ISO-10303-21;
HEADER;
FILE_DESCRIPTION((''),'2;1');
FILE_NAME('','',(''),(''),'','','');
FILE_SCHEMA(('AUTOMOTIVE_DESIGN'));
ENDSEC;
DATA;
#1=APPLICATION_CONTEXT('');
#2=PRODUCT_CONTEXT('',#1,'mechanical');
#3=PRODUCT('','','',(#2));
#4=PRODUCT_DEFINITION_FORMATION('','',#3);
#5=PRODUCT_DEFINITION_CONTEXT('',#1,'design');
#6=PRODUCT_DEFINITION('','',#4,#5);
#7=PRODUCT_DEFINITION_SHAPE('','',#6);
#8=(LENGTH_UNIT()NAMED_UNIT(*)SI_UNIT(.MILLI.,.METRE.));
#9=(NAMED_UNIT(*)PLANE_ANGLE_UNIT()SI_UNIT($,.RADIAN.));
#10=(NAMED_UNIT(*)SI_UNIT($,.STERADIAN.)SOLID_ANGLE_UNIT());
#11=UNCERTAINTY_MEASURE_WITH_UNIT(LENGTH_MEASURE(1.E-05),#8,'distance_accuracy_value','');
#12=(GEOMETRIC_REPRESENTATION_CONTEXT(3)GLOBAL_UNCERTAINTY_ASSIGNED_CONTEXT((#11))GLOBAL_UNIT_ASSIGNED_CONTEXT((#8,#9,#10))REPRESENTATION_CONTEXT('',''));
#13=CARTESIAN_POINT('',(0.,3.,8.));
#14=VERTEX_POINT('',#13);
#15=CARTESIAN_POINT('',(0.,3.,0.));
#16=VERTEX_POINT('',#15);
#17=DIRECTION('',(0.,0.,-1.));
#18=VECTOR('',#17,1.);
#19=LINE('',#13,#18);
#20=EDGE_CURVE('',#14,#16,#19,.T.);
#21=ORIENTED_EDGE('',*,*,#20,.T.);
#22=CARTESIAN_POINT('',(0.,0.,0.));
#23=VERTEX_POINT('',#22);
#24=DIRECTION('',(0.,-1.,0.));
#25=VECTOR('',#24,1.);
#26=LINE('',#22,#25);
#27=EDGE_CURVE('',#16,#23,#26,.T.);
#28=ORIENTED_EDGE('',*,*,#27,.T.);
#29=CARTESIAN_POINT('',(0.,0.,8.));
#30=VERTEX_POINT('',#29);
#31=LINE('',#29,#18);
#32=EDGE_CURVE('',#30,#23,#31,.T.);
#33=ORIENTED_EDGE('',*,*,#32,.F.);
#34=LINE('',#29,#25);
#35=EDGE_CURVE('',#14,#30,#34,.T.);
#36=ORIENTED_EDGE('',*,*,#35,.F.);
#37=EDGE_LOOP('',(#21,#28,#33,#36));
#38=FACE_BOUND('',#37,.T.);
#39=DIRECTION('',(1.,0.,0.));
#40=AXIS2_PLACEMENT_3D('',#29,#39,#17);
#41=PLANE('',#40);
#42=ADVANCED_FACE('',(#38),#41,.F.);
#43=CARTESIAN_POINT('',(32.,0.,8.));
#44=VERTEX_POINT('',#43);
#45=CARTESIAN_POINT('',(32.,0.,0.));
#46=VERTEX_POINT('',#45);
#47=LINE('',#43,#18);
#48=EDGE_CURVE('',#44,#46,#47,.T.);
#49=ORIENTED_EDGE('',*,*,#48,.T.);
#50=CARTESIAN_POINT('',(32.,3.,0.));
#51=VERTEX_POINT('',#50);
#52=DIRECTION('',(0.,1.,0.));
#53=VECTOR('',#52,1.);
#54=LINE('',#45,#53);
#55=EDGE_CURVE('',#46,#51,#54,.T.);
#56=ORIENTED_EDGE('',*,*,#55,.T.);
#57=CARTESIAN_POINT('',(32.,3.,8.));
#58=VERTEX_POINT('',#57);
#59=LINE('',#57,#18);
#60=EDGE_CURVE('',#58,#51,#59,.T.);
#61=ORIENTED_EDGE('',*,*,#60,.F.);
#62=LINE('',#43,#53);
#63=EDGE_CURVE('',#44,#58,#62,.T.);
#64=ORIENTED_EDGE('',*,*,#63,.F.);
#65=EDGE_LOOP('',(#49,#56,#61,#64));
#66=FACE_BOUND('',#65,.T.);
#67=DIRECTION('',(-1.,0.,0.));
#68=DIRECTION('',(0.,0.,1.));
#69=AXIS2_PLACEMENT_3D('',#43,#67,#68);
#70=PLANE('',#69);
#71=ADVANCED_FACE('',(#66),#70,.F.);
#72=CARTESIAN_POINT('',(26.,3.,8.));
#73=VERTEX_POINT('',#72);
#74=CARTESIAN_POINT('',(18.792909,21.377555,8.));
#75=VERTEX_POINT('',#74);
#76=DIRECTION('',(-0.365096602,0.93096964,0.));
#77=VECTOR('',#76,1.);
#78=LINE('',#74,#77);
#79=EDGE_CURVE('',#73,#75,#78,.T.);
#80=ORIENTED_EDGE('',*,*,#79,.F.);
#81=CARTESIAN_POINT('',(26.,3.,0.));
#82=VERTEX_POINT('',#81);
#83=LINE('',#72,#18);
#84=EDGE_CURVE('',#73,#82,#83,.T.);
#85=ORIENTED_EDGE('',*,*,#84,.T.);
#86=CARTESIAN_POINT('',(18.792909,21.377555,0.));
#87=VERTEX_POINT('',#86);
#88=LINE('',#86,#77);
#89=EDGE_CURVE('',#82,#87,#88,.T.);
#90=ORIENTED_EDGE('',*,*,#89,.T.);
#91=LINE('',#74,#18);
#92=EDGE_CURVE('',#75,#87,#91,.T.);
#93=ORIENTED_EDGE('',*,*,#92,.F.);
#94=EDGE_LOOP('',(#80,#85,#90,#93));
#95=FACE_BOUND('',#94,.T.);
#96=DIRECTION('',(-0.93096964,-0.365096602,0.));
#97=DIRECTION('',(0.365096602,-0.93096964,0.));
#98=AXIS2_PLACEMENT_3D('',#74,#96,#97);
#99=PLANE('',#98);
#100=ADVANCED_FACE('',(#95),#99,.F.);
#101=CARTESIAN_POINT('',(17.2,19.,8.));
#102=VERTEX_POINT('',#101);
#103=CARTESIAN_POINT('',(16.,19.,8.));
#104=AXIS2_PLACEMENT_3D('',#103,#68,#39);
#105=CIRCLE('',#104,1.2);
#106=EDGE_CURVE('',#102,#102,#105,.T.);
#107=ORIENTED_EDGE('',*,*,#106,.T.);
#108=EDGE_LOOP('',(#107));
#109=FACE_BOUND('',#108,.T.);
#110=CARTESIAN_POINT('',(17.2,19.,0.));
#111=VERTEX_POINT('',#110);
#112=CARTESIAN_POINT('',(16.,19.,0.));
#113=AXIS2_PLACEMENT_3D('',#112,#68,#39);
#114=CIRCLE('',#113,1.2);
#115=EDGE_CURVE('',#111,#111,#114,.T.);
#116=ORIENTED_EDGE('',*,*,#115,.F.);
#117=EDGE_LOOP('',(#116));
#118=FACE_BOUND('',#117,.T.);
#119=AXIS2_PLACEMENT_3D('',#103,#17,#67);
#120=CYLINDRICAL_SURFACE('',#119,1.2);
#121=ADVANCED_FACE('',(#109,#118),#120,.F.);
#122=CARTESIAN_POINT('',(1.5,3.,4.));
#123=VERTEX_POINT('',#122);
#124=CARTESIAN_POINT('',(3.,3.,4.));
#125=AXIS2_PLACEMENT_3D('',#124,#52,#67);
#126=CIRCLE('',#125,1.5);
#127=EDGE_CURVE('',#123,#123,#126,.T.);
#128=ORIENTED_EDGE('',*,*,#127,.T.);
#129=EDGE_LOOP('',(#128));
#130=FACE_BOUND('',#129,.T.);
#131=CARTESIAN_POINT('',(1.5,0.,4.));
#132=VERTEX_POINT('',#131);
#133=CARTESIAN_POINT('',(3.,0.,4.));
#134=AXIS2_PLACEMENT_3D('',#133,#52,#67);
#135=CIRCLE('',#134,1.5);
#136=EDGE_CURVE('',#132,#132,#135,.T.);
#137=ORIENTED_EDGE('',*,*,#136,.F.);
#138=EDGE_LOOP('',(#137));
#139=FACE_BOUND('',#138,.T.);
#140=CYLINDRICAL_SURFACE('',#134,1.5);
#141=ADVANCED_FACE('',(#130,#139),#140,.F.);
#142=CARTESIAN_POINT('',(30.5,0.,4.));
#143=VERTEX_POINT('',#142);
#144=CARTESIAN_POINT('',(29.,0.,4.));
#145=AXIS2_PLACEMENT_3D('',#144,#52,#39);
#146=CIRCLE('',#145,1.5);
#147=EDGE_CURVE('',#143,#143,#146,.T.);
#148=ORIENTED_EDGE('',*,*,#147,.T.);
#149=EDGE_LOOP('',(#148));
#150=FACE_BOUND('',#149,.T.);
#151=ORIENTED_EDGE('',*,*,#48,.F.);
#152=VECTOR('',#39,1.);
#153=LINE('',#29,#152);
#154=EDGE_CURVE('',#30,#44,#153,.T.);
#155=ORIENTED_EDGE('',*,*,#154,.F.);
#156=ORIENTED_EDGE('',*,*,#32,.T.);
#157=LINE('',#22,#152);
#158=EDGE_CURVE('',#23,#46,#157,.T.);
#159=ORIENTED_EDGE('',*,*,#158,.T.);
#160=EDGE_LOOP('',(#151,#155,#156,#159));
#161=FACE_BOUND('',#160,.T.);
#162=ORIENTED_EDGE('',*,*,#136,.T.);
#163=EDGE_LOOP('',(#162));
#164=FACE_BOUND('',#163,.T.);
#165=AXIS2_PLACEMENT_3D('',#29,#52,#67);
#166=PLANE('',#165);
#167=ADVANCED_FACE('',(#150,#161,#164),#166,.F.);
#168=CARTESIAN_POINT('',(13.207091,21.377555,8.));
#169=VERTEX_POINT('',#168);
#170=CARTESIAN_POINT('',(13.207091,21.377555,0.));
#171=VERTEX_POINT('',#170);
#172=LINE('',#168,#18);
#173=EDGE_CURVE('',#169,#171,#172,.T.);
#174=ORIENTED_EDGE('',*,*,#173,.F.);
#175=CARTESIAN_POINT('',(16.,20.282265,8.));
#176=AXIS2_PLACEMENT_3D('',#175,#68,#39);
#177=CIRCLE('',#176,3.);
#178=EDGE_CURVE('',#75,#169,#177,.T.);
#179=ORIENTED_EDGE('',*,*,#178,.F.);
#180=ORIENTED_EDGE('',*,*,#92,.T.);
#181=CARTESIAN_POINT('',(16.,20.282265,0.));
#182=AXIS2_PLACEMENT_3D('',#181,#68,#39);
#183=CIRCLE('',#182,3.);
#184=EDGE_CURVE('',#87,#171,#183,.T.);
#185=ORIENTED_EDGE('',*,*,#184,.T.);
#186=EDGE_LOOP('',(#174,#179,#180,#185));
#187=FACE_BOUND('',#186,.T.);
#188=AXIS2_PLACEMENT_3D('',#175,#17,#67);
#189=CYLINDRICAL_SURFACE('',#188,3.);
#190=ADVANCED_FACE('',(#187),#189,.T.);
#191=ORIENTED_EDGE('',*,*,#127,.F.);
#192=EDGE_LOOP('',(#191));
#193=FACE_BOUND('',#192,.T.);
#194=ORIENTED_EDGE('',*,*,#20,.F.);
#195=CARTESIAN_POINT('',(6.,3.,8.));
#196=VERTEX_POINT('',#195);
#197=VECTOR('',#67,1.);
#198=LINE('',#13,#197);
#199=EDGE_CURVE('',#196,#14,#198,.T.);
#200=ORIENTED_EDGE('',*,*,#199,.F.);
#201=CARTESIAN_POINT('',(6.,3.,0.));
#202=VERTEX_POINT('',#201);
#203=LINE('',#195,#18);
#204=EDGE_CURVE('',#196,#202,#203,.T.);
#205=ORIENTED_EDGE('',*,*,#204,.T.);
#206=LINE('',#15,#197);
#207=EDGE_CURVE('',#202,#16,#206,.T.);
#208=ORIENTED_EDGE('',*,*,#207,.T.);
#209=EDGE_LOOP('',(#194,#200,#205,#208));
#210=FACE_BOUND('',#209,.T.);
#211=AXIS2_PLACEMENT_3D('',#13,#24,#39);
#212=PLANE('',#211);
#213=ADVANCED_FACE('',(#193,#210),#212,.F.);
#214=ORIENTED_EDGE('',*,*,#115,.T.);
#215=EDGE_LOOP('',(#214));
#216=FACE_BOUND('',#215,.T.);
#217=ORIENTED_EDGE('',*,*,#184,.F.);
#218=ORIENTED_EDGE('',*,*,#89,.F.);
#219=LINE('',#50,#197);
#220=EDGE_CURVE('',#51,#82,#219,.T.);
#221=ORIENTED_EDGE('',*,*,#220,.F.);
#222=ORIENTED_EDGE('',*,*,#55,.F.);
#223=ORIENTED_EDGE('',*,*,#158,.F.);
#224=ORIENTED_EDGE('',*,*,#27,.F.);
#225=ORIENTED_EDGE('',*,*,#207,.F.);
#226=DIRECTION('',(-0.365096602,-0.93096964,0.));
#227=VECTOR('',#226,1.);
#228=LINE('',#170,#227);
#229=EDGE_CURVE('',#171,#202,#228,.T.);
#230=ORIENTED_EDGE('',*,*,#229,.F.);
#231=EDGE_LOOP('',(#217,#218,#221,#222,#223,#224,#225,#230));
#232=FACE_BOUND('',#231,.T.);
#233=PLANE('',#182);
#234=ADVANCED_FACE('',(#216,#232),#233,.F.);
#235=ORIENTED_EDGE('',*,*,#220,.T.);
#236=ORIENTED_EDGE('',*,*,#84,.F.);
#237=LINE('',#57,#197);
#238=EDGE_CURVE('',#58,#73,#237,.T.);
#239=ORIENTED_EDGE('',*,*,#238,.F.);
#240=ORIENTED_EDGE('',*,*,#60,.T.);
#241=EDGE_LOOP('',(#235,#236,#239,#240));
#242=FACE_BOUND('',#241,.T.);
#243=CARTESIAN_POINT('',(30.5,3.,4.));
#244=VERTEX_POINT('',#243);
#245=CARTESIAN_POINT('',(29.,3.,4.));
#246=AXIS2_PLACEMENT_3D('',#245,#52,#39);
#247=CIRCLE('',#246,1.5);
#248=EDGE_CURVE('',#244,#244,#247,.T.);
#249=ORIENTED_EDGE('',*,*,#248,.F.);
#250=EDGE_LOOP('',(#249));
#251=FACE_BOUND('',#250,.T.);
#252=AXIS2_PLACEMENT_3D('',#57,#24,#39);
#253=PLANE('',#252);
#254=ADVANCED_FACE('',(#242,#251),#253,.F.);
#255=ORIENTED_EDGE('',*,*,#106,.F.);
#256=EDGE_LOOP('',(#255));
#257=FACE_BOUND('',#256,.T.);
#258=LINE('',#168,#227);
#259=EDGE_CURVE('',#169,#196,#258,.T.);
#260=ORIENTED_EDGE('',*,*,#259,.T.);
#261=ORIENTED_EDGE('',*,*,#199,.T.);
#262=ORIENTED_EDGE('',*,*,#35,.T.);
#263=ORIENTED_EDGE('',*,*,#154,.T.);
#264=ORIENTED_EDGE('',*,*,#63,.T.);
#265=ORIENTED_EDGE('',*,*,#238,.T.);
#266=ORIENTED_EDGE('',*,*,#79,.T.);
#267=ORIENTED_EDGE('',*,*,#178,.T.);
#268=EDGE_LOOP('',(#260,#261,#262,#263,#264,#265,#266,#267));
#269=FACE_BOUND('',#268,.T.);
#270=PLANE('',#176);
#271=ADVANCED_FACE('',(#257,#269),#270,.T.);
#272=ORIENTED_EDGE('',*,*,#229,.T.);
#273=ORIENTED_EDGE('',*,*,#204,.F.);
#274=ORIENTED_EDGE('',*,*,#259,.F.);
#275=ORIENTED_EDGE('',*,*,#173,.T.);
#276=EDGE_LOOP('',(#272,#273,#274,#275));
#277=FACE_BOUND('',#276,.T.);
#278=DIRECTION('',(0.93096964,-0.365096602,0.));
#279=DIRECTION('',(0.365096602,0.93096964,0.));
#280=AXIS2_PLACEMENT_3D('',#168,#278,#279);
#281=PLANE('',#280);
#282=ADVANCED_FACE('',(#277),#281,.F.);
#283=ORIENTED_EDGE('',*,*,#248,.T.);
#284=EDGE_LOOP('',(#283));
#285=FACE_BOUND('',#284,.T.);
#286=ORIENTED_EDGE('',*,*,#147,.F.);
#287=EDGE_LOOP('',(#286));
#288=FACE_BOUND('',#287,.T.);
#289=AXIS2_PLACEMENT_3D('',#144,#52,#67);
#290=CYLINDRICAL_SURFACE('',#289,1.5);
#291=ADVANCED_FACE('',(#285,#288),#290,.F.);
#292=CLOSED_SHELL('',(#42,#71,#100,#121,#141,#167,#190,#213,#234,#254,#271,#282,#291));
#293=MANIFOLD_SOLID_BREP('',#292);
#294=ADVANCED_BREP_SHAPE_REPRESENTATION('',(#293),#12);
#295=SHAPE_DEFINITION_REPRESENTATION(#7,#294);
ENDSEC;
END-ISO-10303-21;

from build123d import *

# Parameters (mm, degrees)
ESQUISSE1_R             = 1.2
BOSS_EXTRU_1_DEPTH      = 8
ESQUISSE2_R             = 1.5
ENL_V_MAT_EXTRU_1_DEPTH = 39.721703123


with BuildPart() as part:
    # Esquisse1 → Boss.-Extru.1 (new body)
    with BuildSketch(Plane.XY):
        with BuildLine():
            Line((0, 0), (32, 0))
            Line((32, 0), (32, 3))
            Line((32, 3), (26, 3))
            Line((26, 3), (18.792908921, 21.37755528))
            ThreePointArc((18.792908921, 21.37755528), (16, 23.282265473), (13.207091079, 21.37755528))
            Line((13.207091079, 21.37755528), (6, 3))
            Line((6, 3), (0, 3))
            Line((0, 3), (0, 0))
        make_face()
        with Locations((16, 19)):
            Circle(ESQUISSE1_R, mode=Mode.SUBTRACT)
    extrude(amount=BOSS_EXTRU_1_DEPTH)

    # Esquisse2 → Enlèv. mat.-Extru.1 (cut, through all)
    with BuildSketch(Plane(origin=(0, 3, 0), x_dir=(1, 0, 0), z_dir=(0, 1, 0))):
        with Locations(Location((3, -4, 0), (0, 0, 180))):
            Circle(ESQUISSE2_R)
        with Locations((29, -4)):
            Circle(ESQUISSE2_R)
    extrude(amount=-ENL_V_MAT_EXTRU_1_DEPTH, mode=Mode.SUBTRACT)


solid = part.part
